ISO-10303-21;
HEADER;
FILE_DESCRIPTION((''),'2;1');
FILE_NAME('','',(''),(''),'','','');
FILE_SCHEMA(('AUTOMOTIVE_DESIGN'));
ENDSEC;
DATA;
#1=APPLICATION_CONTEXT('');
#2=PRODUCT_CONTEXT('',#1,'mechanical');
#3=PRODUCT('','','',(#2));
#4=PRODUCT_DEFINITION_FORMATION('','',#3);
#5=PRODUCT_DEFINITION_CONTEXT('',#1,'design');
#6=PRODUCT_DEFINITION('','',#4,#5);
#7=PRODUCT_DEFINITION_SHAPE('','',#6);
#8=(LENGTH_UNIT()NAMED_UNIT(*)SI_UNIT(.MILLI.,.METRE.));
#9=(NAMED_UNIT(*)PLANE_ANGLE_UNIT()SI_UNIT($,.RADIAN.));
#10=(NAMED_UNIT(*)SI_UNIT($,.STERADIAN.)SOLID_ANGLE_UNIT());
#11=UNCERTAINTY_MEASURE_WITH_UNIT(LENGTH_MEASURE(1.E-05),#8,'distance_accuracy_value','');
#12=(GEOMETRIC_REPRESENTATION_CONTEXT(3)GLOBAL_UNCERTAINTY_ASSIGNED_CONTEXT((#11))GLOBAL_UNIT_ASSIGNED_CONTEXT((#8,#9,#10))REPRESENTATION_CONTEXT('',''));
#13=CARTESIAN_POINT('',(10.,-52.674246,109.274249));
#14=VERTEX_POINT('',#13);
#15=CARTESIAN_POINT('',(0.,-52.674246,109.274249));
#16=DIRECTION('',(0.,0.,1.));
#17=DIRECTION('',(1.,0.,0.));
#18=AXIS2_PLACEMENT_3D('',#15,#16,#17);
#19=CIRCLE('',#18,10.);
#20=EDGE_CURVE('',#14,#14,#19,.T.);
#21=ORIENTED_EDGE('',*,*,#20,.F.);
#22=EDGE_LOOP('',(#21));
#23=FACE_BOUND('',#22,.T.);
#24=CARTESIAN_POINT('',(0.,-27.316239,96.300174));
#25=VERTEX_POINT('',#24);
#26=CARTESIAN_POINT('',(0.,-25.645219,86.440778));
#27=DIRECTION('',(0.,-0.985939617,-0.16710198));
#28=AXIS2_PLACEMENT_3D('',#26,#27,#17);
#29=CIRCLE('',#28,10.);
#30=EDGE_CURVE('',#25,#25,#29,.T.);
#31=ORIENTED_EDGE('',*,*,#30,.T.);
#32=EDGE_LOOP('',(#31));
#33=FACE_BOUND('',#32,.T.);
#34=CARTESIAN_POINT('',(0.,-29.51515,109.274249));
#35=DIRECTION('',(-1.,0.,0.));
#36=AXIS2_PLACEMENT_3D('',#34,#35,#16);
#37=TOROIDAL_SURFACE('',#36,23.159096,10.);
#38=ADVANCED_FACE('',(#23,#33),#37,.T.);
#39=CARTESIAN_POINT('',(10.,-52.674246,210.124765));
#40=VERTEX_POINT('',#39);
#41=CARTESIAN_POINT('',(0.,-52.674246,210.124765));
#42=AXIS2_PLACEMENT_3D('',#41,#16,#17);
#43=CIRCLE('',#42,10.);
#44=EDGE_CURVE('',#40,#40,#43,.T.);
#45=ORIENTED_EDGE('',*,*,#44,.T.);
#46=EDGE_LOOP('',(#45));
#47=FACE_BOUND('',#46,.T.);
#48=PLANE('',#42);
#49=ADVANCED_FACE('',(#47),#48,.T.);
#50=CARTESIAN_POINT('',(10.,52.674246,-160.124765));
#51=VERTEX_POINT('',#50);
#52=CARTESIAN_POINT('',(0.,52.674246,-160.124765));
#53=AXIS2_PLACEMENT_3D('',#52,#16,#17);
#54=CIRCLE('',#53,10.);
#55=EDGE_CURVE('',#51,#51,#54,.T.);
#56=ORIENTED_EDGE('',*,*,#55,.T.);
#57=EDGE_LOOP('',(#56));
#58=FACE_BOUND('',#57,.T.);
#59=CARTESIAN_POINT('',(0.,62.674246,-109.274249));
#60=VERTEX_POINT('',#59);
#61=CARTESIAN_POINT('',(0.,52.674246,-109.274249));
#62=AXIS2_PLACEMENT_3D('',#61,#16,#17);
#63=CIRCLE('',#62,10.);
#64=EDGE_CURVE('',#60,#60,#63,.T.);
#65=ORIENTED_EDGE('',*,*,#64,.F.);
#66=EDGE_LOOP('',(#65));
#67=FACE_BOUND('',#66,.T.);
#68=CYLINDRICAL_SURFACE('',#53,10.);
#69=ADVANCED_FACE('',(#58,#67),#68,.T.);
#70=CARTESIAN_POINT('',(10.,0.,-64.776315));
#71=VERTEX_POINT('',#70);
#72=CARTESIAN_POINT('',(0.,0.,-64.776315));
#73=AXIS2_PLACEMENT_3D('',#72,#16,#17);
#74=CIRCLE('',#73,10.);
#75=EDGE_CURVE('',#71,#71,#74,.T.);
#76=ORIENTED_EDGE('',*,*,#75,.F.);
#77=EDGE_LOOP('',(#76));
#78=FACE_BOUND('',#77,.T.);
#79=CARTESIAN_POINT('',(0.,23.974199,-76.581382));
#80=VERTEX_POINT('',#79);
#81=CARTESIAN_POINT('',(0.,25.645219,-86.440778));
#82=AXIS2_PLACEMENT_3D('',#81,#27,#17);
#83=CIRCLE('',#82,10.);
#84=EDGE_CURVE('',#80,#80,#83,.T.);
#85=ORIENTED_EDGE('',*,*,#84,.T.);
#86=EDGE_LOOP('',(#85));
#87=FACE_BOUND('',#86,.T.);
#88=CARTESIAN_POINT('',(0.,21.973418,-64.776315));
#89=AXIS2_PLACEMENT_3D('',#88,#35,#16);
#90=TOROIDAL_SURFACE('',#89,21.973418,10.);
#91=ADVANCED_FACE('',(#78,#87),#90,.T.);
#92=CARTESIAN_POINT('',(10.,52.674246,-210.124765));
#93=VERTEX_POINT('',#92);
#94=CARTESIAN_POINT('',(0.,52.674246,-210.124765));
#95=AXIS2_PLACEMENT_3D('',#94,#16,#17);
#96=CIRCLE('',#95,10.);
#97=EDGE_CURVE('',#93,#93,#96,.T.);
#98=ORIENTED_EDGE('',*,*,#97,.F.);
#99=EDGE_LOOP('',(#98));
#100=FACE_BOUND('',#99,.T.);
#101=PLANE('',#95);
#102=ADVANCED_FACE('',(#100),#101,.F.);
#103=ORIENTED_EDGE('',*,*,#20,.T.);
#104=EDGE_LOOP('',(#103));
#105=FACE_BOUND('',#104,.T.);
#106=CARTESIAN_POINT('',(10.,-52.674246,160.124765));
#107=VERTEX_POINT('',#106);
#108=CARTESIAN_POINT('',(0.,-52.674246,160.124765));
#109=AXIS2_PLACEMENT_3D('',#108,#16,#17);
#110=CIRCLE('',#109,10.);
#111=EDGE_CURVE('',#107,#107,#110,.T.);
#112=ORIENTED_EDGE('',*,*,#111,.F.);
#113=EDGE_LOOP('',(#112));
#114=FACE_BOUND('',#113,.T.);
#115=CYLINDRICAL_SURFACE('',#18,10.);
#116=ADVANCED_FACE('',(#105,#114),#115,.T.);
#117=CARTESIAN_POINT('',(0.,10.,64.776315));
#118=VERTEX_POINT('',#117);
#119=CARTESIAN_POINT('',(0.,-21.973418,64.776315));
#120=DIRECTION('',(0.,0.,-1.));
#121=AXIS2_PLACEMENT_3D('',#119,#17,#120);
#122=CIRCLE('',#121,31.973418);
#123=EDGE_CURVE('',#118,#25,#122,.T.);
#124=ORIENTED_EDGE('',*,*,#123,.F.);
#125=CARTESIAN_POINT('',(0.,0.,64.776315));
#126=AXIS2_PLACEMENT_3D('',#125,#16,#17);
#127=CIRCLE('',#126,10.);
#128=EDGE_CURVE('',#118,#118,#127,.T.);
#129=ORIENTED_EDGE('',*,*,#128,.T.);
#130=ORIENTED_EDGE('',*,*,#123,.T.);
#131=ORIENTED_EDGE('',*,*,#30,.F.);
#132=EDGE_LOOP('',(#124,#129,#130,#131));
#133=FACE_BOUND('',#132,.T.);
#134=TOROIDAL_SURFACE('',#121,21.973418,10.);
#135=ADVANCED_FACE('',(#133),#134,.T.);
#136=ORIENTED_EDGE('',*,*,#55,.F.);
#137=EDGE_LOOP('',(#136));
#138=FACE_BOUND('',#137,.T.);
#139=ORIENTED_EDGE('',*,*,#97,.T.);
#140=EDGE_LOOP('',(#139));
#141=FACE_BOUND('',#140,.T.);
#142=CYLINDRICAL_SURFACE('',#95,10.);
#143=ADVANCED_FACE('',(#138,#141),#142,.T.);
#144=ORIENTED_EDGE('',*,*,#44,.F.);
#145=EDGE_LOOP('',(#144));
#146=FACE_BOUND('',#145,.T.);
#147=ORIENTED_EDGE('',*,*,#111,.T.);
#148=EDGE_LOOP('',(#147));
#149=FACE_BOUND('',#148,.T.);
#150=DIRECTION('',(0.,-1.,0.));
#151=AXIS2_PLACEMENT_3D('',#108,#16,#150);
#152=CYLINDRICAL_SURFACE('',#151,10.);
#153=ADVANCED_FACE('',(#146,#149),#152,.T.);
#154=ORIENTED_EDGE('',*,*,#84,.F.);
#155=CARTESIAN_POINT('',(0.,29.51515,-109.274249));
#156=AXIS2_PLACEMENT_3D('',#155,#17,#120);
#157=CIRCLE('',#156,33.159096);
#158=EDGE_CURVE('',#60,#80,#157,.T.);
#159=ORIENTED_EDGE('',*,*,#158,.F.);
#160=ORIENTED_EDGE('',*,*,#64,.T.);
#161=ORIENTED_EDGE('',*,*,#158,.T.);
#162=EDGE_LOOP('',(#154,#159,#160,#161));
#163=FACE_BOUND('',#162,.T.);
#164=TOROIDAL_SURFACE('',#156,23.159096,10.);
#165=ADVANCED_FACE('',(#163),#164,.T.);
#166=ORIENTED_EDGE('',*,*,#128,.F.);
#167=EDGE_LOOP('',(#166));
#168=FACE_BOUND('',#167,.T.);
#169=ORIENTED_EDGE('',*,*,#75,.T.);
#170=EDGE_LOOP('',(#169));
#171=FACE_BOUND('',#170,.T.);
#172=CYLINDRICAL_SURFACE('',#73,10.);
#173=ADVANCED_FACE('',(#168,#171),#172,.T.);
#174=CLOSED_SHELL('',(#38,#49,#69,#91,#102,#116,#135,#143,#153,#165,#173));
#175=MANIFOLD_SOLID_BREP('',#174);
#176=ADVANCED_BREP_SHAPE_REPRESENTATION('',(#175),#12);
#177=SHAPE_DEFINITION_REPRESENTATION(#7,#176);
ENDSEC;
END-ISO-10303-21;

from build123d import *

# Parameters (mm, degrees)
SKETCH3_R = 10


with BuildPart() as part:
    # Sweep2: sweep along a path in Sketch1
    with BuildLine(Plane(origin=(0, 0, 0), x_dir=(0, 0, -1), z_dir=(1, 0, 0))) as sweep2_path:
        Line((-210.124764734, -52.674246303), (-160.124764734, -52.674246303))
        Line((-160.124764734, -52.674246303), (-109.274248541, -52.674246303))
        ThreePointArc((-109.274248541, -52.674246303), (-91.582896902, -44.460377319), (-86.440777952, -25.64521909))
        ThreePointArc((-86.440777952, -25.64521909), (-81.561920639, -7.793342617), (-64.776315105, 0))
        Line((-64.776315105, 0), (64.776315105, 0))
        ThreePointArc((64.776315105, 0), (81.561920639, 7.793342617), (86.440777952, 25.64521909))
        ThreePointArc((86.440777952, 25.64521909), (91.582896902, 44.460377319), (109.274248541, 52.674246303))
        Line((109.274248541, 52.674246303), (160.124764734, 52.674246303))
        Line((160.124764734, 52.674246303), (210.124764734, 52.674246303))
    # Sketch3 → Sweep2 (sweep)
    with BuildSketch(Plane(origin=(0, -52.674246303, 210.124764734), x_dir=(1, 0, 0), z_dir=(0, 0, 1))):
        Circle(SKETCH3_R)
    sweep(path=sweep2_path.line)


solid = part.part
